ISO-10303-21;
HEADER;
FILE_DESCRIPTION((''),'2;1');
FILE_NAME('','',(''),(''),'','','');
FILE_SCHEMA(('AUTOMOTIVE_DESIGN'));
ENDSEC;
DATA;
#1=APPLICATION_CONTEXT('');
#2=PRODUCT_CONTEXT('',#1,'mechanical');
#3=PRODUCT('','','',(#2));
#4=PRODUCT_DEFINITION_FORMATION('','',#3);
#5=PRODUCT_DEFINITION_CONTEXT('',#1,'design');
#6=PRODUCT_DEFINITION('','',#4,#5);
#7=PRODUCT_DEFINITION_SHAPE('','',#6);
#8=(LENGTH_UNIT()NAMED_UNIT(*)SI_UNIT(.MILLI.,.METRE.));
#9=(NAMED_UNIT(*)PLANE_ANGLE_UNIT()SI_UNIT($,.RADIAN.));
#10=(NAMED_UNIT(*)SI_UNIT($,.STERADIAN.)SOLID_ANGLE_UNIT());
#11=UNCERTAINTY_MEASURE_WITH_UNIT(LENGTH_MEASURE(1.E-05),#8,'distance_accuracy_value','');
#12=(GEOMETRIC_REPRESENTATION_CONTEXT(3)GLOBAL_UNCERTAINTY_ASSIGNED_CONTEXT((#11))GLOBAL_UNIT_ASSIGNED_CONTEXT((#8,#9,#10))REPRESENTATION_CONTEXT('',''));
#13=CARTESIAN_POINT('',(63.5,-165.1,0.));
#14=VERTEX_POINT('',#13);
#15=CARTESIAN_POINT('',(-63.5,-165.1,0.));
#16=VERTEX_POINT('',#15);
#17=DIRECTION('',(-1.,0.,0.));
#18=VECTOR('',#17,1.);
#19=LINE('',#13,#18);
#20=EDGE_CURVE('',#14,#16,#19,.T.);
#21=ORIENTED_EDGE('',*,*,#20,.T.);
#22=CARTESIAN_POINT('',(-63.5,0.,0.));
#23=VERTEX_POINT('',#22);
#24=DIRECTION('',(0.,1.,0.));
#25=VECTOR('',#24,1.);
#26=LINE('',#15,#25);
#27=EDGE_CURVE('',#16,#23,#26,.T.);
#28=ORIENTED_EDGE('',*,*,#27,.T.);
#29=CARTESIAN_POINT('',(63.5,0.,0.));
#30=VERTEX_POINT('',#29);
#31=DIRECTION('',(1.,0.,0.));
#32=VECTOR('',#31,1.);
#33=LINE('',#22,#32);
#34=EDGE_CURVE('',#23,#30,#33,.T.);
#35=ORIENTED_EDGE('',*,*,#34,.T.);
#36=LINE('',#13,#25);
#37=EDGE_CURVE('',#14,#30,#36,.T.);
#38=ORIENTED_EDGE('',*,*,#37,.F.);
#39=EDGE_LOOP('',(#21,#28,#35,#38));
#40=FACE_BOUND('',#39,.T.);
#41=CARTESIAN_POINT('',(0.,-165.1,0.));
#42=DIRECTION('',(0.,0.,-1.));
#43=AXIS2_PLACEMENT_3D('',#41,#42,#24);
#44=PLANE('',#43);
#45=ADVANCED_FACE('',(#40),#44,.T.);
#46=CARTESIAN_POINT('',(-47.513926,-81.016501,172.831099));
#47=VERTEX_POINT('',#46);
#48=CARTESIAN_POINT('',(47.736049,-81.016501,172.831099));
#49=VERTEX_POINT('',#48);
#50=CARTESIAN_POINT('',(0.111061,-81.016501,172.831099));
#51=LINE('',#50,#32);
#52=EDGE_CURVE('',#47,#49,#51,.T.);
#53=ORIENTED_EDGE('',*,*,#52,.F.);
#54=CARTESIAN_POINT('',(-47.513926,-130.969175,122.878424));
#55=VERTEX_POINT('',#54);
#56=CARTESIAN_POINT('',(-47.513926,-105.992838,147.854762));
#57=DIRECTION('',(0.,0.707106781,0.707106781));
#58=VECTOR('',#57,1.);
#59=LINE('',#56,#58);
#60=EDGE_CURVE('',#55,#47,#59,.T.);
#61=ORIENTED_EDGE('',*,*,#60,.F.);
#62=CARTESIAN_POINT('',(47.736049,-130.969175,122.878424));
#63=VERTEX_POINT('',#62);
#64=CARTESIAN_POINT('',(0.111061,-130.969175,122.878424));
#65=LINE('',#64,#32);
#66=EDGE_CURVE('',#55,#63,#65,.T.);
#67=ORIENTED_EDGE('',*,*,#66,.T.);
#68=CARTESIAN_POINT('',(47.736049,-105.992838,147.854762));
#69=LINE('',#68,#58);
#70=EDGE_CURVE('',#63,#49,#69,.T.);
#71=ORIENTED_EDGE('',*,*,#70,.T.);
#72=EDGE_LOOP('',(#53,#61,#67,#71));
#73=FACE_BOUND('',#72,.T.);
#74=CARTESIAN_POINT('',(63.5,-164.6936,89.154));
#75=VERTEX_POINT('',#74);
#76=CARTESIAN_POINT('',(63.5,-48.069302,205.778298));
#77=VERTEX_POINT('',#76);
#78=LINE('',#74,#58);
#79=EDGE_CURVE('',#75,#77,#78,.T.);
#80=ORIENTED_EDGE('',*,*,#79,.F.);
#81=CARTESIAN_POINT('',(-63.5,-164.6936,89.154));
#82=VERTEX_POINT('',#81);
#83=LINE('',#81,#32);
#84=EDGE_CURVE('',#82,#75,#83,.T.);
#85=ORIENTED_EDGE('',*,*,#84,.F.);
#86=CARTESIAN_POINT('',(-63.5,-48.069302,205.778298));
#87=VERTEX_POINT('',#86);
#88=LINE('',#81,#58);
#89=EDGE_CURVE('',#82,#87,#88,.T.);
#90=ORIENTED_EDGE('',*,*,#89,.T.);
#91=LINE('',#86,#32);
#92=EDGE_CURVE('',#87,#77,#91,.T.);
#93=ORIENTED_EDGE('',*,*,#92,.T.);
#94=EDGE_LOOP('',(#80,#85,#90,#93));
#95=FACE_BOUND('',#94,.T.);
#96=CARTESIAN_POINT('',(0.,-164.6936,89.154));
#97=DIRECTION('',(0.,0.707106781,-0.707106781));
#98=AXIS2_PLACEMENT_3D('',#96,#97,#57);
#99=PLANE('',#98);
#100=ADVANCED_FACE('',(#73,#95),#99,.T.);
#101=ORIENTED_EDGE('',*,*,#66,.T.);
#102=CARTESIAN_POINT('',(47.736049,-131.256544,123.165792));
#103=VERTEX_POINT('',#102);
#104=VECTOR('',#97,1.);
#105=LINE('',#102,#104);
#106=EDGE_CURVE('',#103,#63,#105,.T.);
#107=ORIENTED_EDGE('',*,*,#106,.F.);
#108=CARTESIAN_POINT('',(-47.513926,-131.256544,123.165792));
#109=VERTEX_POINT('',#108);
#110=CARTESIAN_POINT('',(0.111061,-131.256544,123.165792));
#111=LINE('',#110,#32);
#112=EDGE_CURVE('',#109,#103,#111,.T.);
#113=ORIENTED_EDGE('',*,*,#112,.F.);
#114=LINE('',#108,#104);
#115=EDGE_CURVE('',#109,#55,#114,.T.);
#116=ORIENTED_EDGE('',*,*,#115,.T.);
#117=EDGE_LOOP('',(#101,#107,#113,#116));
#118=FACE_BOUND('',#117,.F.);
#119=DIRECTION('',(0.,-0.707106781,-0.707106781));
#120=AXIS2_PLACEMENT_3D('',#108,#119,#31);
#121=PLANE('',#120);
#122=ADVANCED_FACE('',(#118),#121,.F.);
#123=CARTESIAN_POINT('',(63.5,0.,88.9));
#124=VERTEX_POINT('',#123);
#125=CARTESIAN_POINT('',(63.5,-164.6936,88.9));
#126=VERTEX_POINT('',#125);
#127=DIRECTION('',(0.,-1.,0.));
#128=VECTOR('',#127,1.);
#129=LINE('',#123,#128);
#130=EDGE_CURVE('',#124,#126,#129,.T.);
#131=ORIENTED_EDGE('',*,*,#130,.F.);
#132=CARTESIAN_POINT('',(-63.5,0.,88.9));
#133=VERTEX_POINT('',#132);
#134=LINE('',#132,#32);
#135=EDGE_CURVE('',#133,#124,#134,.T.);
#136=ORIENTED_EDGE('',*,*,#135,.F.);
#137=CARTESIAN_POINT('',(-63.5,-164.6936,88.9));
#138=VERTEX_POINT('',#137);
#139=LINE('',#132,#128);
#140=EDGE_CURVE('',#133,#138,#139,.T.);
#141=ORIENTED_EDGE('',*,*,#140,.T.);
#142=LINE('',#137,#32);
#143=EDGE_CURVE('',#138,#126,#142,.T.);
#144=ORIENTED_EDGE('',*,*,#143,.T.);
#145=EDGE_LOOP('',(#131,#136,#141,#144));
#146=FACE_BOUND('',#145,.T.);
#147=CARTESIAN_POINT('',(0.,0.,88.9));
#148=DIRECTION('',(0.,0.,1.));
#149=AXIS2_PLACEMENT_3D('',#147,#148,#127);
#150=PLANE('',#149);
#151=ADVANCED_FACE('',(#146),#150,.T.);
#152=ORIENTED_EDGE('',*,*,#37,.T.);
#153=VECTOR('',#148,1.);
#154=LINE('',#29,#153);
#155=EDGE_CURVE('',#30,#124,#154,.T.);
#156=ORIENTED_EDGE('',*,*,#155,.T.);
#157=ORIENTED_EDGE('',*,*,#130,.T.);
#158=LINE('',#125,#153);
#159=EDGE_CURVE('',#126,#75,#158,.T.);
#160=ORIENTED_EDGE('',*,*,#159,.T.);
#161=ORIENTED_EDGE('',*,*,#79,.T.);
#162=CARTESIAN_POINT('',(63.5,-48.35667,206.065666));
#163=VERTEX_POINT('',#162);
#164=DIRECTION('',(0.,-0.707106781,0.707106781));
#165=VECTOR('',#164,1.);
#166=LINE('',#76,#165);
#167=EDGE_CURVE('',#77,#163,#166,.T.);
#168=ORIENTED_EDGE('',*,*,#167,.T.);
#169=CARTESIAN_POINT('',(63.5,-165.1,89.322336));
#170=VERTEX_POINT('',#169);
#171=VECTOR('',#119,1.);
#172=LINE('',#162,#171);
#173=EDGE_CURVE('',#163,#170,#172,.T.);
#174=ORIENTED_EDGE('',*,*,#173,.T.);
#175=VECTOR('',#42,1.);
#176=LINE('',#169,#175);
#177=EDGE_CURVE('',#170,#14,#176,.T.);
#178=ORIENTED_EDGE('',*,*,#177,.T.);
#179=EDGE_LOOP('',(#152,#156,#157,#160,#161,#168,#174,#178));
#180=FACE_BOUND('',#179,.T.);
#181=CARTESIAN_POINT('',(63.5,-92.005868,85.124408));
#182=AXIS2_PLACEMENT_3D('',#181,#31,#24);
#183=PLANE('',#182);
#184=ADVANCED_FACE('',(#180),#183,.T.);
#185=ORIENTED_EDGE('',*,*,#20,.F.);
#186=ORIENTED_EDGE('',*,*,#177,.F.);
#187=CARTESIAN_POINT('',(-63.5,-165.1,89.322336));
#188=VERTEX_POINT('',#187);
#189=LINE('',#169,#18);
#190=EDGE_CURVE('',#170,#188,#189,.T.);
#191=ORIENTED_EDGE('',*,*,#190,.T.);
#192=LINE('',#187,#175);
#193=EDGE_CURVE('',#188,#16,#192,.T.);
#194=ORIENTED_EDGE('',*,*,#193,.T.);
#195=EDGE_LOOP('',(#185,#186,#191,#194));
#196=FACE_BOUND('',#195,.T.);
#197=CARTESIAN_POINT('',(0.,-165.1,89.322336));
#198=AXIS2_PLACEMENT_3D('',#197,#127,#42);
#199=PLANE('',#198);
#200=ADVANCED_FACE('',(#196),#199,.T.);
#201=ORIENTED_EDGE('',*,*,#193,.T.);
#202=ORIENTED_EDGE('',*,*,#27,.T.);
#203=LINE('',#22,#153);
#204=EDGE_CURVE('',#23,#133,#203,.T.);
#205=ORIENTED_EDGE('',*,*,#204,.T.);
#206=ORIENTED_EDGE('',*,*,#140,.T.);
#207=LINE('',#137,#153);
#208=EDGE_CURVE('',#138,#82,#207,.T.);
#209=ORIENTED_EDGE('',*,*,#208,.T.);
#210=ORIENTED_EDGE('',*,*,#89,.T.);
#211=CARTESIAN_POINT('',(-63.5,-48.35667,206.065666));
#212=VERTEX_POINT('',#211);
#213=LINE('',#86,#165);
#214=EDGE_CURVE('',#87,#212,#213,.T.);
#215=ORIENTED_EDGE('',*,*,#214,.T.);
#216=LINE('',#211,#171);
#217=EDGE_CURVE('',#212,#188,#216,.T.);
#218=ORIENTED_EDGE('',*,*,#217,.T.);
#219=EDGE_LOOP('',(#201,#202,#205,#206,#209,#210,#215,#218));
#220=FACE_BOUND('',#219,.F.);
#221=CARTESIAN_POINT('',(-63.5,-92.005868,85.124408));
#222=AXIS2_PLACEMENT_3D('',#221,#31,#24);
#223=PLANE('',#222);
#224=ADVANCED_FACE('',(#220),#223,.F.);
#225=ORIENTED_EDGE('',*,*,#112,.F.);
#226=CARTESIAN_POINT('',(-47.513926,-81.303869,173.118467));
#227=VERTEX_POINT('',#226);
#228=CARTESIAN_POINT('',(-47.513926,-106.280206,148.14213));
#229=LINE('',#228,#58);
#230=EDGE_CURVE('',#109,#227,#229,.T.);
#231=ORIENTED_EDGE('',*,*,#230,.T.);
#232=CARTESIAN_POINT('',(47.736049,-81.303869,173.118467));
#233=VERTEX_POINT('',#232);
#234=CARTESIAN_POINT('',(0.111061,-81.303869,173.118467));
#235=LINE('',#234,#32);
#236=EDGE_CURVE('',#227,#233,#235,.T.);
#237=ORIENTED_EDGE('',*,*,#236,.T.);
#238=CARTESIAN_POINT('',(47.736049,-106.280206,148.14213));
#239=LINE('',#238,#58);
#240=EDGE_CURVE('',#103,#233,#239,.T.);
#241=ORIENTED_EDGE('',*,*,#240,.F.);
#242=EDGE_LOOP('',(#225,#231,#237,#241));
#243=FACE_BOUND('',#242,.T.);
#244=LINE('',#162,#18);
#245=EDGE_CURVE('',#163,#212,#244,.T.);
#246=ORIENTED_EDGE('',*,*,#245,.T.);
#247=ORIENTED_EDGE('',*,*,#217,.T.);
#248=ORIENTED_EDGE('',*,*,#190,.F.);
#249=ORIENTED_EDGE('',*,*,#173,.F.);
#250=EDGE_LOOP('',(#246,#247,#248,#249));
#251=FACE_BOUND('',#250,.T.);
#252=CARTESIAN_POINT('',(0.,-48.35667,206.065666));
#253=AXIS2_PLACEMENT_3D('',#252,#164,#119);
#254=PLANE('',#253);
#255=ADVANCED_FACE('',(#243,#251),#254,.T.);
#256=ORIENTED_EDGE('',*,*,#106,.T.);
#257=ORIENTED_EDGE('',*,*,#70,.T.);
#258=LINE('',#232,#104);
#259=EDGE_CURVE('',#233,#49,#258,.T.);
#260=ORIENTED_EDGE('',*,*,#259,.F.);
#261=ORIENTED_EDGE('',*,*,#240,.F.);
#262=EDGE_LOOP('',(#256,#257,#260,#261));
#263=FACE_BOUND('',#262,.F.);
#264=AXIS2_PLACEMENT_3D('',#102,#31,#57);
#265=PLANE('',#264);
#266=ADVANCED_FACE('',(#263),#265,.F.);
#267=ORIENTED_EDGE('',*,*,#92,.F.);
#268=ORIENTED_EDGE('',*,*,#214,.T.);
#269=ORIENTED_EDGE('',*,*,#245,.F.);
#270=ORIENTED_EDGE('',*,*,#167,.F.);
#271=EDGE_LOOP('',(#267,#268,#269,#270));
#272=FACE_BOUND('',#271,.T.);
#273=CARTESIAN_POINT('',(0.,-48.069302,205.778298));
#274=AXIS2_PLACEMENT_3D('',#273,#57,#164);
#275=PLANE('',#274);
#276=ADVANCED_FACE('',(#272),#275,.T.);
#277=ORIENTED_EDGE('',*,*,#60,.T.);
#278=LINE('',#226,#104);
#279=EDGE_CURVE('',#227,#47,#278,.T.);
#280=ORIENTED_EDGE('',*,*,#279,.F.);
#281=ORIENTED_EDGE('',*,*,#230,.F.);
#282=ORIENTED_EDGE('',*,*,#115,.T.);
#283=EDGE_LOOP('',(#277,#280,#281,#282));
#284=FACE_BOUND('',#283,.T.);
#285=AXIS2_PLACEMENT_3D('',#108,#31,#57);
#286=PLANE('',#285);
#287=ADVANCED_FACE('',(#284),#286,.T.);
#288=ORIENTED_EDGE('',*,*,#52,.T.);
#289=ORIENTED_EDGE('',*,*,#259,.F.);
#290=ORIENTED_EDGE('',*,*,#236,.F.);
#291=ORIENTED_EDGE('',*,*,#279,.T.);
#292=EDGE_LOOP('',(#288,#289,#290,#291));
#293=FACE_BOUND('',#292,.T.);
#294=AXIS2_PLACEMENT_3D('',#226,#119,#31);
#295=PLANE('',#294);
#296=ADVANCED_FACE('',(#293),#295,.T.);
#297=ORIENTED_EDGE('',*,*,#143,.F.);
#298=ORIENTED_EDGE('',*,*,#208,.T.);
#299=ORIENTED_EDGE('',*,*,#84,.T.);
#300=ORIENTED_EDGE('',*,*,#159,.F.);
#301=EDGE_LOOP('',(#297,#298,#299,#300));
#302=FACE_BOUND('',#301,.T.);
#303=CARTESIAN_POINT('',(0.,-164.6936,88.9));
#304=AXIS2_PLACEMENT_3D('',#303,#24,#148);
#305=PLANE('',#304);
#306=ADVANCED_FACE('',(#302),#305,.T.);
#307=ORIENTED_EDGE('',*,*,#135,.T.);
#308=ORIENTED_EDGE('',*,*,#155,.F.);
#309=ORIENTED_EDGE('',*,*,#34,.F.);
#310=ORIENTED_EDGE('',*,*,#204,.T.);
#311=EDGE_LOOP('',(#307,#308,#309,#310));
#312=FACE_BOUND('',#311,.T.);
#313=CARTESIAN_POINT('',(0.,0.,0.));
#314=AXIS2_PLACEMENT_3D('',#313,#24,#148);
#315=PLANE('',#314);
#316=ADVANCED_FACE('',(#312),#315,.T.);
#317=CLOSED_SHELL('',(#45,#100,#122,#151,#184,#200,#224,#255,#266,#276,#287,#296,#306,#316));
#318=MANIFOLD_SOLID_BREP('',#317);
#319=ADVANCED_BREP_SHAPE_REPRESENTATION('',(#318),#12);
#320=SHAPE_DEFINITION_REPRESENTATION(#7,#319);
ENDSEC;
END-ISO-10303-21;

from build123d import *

# Parameters (mm, degrees)
F1_DEPTH = 63.5
F2_W     = 95.249975
F2_H     = 70.64375
F3_DEPTH = 0.4064


with BuildPart() as f1:
    # F0 (on Right) → F1 (new body, symmetric)
    with BuildSketch(Plane.YZ):
        Polygon((-165.1, 0), (0, 0), (0, 88.9), (-164.6936, 88.9), (-164.6936, 89.154), (-48.069302, 205.778298), (-48.35667, 206.065666), (-165.1, 89.322336), align=None)
    extrude(amount=F1_DEPTH, both=True)

    # F2 (on face) → F3 (cut, through all)
    with BuildSketch(Plane(origin=(0, -127.211168, 127.211168), x_dir=(1, 0, 0), z_dir=(0, -0.707107, 0.707107))):
        with Locations((0.111061, 29.60085)):
            Rectangle(F2_W, F2_H)
    extrude(amount=-F3_DEPTH, mode=Mode.SUBTRACT)


solid = f1.part
